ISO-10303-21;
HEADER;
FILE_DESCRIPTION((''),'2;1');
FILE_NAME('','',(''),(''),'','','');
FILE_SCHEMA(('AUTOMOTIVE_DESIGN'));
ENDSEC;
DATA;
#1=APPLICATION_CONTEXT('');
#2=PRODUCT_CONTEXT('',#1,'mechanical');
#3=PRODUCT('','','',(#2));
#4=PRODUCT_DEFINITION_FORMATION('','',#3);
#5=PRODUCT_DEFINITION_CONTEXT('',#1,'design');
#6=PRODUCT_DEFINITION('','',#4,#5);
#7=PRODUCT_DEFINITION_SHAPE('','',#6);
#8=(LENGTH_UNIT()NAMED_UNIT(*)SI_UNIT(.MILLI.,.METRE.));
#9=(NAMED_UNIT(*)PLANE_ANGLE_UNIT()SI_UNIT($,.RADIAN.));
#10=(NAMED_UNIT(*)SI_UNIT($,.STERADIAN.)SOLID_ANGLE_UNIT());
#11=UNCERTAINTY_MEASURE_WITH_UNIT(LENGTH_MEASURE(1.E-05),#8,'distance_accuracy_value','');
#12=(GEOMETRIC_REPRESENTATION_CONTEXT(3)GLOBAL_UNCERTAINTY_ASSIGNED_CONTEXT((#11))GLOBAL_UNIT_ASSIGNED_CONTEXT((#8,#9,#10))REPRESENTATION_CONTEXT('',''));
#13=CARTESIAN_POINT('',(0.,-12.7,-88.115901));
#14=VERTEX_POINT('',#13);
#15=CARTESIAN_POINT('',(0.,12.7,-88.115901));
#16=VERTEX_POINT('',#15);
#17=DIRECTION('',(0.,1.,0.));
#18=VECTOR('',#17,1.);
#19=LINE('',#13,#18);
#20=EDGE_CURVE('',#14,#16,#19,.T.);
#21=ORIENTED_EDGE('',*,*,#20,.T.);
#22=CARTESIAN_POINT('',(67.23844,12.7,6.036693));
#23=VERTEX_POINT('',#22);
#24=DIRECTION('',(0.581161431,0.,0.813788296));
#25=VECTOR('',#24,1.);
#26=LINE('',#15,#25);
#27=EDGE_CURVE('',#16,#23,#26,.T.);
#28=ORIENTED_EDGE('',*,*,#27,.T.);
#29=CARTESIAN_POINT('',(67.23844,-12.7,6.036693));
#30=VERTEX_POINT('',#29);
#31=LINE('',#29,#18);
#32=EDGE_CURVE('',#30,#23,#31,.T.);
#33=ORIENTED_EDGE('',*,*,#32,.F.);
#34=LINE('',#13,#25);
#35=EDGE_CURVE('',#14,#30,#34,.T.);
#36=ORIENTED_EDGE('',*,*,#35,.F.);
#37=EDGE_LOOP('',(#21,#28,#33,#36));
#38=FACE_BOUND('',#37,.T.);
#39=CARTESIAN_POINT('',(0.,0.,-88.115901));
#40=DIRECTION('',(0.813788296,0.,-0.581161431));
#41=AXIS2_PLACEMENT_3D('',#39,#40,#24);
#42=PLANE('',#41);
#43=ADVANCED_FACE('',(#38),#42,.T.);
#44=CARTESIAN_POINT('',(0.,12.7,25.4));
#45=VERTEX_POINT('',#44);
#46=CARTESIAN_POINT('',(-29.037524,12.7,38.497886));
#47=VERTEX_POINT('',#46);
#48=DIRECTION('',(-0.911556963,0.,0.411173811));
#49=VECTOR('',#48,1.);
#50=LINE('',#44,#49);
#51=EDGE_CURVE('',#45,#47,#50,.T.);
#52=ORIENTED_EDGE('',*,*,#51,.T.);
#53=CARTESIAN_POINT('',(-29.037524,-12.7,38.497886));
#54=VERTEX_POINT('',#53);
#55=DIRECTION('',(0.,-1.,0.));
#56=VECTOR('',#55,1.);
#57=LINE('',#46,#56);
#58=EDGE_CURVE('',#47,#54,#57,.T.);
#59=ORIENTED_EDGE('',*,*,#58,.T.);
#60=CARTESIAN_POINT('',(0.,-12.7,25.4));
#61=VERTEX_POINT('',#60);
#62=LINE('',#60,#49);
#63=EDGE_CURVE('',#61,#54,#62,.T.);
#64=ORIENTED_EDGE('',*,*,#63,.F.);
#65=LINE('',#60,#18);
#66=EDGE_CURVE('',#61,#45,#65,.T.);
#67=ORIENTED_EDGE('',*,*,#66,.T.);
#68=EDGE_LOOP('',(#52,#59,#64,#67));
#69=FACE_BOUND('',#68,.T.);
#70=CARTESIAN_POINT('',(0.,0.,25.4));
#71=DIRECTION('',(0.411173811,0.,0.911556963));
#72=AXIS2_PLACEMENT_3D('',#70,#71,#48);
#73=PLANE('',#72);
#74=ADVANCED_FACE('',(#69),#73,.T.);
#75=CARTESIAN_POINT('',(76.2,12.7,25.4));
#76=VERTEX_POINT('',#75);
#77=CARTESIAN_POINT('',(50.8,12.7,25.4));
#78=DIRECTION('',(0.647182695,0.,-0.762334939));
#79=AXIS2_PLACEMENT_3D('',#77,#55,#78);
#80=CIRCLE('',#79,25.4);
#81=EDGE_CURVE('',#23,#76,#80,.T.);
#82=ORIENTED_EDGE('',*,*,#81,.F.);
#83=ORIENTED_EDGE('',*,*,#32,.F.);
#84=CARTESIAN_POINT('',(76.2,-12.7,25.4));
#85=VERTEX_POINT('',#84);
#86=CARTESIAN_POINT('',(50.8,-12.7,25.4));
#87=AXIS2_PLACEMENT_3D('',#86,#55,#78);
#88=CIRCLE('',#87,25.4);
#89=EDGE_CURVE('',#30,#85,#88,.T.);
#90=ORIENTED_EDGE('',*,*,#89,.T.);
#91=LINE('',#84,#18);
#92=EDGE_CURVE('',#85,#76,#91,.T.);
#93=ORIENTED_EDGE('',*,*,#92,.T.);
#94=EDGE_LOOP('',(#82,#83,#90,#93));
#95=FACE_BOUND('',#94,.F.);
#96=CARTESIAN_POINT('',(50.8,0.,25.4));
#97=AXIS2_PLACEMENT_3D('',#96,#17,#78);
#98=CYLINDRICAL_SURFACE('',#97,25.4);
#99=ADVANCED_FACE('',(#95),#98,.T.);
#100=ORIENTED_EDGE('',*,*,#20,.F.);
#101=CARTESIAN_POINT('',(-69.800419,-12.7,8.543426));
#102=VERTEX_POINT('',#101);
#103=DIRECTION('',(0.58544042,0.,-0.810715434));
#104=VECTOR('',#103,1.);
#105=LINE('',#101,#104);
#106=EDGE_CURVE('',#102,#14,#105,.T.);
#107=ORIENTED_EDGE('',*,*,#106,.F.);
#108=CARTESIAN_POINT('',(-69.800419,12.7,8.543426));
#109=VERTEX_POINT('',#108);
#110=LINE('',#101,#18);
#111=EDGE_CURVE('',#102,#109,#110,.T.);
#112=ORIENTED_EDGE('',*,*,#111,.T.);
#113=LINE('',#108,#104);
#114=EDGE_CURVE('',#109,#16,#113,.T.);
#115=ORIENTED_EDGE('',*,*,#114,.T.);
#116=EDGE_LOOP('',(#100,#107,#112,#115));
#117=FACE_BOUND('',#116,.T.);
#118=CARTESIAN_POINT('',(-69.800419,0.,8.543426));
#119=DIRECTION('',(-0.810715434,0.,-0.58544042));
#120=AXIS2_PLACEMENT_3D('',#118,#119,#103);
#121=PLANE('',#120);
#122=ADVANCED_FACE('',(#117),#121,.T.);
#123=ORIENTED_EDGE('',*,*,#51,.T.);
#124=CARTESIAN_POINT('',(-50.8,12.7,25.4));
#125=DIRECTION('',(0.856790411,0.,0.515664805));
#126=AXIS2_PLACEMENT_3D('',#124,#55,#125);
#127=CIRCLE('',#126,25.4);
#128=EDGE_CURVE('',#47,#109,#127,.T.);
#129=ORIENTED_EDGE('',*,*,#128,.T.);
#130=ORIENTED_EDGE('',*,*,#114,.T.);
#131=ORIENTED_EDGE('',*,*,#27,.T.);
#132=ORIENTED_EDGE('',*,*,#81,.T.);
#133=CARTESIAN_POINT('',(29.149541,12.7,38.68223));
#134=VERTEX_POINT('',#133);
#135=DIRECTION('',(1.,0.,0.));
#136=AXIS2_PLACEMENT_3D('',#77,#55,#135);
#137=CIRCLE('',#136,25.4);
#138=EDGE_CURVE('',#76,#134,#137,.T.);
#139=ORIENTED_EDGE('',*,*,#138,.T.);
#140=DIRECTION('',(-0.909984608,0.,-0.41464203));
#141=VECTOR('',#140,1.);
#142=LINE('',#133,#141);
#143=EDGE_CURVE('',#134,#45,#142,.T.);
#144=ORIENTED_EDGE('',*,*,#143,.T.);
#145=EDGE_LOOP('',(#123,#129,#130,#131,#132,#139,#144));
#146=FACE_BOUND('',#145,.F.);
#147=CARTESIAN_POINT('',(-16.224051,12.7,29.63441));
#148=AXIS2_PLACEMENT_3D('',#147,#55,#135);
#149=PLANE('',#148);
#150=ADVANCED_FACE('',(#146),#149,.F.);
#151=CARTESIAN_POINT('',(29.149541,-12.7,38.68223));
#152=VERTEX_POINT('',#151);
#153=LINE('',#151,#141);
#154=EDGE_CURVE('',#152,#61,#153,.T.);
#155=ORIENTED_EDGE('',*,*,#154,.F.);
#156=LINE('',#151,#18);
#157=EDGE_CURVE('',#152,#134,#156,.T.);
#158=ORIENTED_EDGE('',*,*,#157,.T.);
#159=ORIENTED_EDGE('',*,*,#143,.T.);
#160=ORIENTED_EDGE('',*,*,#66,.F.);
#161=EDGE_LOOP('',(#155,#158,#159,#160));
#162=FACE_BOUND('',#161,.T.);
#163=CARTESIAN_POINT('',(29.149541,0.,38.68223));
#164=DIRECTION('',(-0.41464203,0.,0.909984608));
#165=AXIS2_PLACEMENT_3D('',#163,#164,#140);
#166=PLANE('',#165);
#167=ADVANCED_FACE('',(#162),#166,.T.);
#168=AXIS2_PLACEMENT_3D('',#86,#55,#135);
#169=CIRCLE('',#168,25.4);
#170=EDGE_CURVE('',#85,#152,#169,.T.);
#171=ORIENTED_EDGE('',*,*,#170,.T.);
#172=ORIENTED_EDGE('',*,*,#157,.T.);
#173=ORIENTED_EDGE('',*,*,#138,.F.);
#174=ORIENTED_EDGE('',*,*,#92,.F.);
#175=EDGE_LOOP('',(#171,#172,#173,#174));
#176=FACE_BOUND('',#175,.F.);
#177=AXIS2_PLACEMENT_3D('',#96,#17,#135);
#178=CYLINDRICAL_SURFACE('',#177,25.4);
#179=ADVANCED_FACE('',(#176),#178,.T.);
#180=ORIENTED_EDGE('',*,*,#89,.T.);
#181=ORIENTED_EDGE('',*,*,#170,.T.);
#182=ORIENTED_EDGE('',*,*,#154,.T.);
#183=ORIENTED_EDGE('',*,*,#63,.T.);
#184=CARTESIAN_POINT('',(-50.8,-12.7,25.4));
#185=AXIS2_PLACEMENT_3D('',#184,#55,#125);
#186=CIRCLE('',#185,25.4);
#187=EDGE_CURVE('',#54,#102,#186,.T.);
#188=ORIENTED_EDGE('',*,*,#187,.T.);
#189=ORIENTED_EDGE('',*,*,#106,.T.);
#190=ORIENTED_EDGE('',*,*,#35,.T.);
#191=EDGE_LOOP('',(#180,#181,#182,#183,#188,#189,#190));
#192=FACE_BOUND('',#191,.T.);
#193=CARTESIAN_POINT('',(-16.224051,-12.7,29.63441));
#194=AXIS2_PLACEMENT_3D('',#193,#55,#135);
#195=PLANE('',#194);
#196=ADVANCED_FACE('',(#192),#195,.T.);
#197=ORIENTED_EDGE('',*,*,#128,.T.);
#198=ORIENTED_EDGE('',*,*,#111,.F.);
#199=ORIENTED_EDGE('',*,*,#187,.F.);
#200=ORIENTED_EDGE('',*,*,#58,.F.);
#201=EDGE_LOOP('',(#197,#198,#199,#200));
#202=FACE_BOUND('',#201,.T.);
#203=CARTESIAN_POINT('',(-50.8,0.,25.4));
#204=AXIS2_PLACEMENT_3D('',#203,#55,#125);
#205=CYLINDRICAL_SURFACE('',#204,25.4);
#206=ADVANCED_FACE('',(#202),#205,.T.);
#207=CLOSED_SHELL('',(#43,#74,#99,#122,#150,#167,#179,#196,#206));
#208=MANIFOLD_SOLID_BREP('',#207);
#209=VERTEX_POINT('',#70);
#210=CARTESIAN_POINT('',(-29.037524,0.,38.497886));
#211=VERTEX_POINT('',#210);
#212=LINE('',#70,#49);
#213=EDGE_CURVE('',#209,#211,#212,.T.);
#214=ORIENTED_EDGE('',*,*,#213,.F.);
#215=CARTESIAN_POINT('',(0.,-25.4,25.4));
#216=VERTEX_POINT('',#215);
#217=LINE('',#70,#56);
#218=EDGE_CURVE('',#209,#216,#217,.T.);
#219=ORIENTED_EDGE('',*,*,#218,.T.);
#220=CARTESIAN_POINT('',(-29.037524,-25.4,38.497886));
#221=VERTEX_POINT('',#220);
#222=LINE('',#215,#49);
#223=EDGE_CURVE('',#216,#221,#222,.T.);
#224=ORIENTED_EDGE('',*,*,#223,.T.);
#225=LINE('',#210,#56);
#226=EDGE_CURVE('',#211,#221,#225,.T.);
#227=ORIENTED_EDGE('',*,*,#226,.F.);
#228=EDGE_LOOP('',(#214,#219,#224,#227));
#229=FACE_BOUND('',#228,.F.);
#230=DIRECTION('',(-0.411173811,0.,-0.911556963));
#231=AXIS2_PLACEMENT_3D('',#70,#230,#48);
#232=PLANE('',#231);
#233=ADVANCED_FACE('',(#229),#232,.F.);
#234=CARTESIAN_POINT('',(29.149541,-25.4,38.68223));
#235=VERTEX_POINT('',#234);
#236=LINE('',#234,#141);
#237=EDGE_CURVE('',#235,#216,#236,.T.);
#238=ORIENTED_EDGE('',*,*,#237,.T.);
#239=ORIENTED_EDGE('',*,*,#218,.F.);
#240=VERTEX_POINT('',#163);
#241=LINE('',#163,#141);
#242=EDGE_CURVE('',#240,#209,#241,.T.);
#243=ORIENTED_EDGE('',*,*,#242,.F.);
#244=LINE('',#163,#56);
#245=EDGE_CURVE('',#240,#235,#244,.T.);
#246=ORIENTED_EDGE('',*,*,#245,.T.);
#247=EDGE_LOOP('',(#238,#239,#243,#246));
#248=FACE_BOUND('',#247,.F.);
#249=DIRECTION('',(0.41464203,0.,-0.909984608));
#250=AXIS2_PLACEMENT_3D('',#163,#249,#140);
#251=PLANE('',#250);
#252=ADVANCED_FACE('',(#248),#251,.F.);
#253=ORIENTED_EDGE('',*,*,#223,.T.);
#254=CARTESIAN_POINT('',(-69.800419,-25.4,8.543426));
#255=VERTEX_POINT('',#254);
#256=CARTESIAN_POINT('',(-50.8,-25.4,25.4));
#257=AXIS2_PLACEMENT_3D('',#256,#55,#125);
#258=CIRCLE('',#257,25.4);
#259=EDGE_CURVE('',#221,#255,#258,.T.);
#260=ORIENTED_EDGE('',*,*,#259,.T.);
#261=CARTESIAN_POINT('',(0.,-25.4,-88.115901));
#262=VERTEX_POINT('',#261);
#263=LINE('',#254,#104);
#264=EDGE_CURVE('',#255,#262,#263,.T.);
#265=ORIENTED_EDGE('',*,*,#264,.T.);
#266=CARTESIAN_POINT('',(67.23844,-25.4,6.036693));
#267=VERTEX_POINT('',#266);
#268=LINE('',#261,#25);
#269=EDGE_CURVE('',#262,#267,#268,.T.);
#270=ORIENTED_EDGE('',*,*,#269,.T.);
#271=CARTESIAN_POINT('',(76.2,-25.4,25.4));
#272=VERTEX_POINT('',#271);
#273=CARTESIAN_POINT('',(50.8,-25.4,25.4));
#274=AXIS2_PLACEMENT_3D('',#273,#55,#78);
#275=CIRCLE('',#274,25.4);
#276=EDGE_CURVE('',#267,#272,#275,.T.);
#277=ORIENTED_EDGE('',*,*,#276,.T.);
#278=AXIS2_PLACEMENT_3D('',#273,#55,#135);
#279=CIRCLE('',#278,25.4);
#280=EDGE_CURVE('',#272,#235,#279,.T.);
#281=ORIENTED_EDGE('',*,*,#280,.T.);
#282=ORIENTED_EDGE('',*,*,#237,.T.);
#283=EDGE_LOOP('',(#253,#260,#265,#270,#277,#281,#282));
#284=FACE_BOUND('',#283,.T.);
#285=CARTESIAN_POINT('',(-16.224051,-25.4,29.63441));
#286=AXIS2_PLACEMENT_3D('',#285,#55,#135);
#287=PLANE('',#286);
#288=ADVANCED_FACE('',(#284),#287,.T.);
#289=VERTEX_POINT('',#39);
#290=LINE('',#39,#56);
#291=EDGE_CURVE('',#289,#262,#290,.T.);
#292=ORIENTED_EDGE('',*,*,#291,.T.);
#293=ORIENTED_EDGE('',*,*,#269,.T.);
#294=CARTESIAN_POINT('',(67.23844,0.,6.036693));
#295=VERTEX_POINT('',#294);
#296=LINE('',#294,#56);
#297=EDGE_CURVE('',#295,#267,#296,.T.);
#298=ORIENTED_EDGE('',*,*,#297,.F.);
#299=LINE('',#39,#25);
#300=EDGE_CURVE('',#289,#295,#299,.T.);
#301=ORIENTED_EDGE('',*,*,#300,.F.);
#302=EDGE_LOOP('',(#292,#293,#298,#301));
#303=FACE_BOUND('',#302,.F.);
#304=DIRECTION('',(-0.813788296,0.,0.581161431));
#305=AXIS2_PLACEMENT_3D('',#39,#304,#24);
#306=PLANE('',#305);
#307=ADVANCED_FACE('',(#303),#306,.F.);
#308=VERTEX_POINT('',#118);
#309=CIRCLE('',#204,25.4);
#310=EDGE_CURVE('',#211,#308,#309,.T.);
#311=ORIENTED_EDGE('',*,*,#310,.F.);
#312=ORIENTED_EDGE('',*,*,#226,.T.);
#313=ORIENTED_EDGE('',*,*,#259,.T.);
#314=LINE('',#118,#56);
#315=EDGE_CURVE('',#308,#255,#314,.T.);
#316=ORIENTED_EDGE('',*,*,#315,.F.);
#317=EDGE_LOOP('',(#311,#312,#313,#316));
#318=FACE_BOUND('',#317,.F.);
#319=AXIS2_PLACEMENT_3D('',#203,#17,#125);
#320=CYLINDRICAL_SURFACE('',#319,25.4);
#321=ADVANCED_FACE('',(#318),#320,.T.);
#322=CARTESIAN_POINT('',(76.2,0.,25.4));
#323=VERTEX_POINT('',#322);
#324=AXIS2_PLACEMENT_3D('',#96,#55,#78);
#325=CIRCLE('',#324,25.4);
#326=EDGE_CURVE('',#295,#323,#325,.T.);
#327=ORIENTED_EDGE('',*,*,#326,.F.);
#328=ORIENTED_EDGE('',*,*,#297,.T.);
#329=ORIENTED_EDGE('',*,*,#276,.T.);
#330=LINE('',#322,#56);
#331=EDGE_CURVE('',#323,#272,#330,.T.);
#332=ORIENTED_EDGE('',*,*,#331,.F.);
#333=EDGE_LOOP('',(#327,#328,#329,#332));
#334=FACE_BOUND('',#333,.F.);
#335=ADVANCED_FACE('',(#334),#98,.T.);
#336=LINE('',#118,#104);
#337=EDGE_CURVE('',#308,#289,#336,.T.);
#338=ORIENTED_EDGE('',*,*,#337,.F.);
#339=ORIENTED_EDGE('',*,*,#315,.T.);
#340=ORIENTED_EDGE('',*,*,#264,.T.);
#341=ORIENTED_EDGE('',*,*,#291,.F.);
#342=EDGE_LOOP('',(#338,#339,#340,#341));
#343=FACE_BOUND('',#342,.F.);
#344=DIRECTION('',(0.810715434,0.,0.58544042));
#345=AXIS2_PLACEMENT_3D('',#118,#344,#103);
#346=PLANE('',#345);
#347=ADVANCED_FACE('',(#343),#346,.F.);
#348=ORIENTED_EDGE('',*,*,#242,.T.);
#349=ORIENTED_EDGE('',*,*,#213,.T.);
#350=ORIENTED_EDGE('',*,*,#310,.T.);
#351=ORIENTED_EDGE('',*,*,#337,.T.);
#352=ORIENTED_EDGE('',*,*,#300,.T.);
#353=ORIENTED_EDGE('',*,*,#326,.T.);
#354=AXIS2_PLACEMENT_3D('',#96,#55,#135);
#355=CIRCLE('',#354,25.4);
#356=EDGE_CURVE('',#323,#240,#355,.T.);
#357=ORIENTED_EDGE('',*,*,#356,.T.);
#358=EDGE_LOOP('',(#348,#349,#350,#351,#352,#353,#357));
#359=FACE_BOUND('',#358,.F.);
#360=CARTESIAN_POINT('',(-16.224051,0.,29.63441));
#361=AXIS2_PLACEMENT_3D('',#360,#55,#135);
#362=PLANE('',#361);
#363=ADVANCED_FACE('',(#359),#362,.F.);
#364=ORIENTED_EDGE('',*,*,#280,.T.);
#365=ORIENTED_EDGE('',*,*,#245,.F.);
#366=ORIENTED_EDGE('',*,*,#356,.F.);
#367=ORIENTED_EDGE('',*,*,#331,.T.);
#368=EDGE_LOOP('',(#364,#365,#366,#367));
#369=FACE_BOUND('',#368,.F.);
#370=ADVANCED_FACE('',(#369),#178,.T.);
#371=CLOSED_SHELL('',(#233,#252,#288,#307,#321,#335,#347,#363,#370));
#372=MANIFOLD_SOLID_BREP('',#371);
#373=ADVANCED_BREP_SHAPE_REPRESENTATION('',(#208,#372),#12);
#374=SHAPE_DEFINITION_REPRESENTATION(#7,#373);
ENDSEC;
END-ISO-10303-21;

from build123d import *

# Parameters (mm, degrees)
F1_DEPTH = 12.7
F2_DEPTH = 25.4


with BuildPart() as f1:
    # F0 (on Front) → F1 (new body, symmetric)
    with BuildSketch(Plane.XZ):
        with BuildLine():
            ThreePointArc((-29.0375235578, 38.4978860547), (-26.3262701899, 32.1968043362), (-25.4, 25.4))
            Line((-25.4, 25.4), (0, 25.4))
            Line((0, 25.4), (-29.0375235578, 38.4978860547))
        make_face()
        Polygon((0, 25.4), (-25.4, 25.4), (-25.4, -25.4), (25.4, -25.4), (25.4, 25.4), align=None)
        with BuildLine():
            ThreePointArc((-69.8004189401, 8.5434262052), (-41.7847529451, 1.6537303869), (-25.4, 25.4))
            ThreePointArc((-25.4, 25.4), (-26.3262701899, 32.1968043362), (-29.0375235578, 38.4978860547))
            ThreePointArc((-29.0375235578, 38.4978860547), (-65.8407664908, 45.867910088), (-69.8004189401, 8.5434262052))
        make_face()
        with BuildLine():
            Line((-25.4, -25.4), (-25.4, 25.4))
            ThreePointArc((-25.4, 25.4), (-41.7847529451, 1.6537303869), (-69.8004189401, 8.5434262052))
            Line((-69.8004189401, 8.5434262052), (0, -88.1159007549))
            Line((0, -88.1159007549), (67.238440457, 6.0366925516))
            ThreePointArc((67.238440457, 6.0366925516), (40.1317383704, 2.3490088325), (25.4, 25.4))
            Line((25.4, 25.4), (25.4, -25.4))
            Line((25.4, -25.4), (-25.4, -25.4))
        make_face()
        with BuildLine():
            Line((29.1495412646, 38.6822301044), (0, 25.4))
            Line((0, 25.4), (25.4, 25.4))
            ThreePointArc((25.4, 25.4), (26.3553517935, 32.3006647549), (29.1495412646, 38.6822301044))
        make_face()
        with BuildLine():
            ThreePointArc((29.1495412646, 38.6822301044), (26.3553517935, 32.3006647549), (25.4, 25.4))
            ThreePointArc((25.4, 25.4), (40.1317383704, 2.3490088325), (67.238440457, 6.0366925516))
            ThreePointArc((67.238440457, 6.0366925516), (73.8509911675, 14.7317383704), (76.2, 25.4))
            ThreePointArc((76.2, 25.4), (57.7006647549, 49.8446482065), (29.1495412646, 38.6822301044))
        make_face()
    extrude(amount=F1_DEPTH, both=True)


with BuildPart() as f2:
    # F0 (on Front) → F2 (new body)
    with BuildSketch(Plane.XZ):
        with BuildLine():
            ThreePointArc((-29.0375235578, 38.4978860547), (-26.3262701899, 32.1968043362), (-25.4, 25.4))
            Line((-25.4, 25.4), (0, 25.4))
            Line((0, 25.4), (-29.0375235578, 38.4978860547))
        make_face()
        Polygon((0, 25.4), (-25.4, 25.4), (-25.4, -25.4), (25.4, -25.4), (25.4, 25.4), align=None)
        with BuildLine():
            ThreePointArc((-69.8004189401, 8.5434262052), (-41.7847529451, 1.6537303869), (-25.4, 25.4))
            ThreePointArc((-25.4, 25.4), (-26.3262701899, 32.1968043362), (-29.0375235578, 38.4978860547))
            ThreePointArc((-29.0375235578, 38.4978860547), (-65.8407664908, 45.867910088), (-69.8004189401, 8.5434262052))
        make_face()
        with BuildLine():
            Line((-25.4, -25.4), (-25.4, 25.4))
            ThreePointArc((-25.4, 25.4), (-41.7847529451, 1.6537303869), (-69.8004189401, 8.5434262052))
            Line((-69.8004189401, 8.5434262052), (0, -88.1159007549))
            Line((0, -88.1159007549), (67.238440457, 6.0366925516))
            ThreePointArc((67.238440457, 6.0366925516), (40.1317383704, 2.3490088325), (25.4, 25.4))
            Line((25.4, 25.4), (25.4, -25.4))
            Line((25.4, -25.4), (-25.4, -25.4))
        make_face()
        with BuildLine():
            Line((29.1495412646, 38.6822301044), (0, 25.4))
            Line((0, 25.4), (25.4, 25.4))
            ThreePointArc((25.4, 25.4), (26.3553517935, 32.3006647549), (29.1495412646, 38.6822301044))
        make_face()
        with BuildLine():
            ThreePointArc((29.1495412646, 38.6822301044), (26.3553517935, 32.3006647549), (25.4, 25.4))
            ThreePointArc((25.4, 25.4), (40.1317383704, 2.3490088325), (67.238440457, 6.0366925516))
            ThreePointArc((67.238440457, 6.0366925516), (73.8509911675, 14.7317383704), (76.2, 25.4))
            ThreePointArc((76.2, 25.4), (57.7006647549, 49.8446482065), (29.1495412646, 38.6822301044))
        make_face()
    extrude(amount=F2_DEPTH)


solid = Compound([f1.part, f2.part])
